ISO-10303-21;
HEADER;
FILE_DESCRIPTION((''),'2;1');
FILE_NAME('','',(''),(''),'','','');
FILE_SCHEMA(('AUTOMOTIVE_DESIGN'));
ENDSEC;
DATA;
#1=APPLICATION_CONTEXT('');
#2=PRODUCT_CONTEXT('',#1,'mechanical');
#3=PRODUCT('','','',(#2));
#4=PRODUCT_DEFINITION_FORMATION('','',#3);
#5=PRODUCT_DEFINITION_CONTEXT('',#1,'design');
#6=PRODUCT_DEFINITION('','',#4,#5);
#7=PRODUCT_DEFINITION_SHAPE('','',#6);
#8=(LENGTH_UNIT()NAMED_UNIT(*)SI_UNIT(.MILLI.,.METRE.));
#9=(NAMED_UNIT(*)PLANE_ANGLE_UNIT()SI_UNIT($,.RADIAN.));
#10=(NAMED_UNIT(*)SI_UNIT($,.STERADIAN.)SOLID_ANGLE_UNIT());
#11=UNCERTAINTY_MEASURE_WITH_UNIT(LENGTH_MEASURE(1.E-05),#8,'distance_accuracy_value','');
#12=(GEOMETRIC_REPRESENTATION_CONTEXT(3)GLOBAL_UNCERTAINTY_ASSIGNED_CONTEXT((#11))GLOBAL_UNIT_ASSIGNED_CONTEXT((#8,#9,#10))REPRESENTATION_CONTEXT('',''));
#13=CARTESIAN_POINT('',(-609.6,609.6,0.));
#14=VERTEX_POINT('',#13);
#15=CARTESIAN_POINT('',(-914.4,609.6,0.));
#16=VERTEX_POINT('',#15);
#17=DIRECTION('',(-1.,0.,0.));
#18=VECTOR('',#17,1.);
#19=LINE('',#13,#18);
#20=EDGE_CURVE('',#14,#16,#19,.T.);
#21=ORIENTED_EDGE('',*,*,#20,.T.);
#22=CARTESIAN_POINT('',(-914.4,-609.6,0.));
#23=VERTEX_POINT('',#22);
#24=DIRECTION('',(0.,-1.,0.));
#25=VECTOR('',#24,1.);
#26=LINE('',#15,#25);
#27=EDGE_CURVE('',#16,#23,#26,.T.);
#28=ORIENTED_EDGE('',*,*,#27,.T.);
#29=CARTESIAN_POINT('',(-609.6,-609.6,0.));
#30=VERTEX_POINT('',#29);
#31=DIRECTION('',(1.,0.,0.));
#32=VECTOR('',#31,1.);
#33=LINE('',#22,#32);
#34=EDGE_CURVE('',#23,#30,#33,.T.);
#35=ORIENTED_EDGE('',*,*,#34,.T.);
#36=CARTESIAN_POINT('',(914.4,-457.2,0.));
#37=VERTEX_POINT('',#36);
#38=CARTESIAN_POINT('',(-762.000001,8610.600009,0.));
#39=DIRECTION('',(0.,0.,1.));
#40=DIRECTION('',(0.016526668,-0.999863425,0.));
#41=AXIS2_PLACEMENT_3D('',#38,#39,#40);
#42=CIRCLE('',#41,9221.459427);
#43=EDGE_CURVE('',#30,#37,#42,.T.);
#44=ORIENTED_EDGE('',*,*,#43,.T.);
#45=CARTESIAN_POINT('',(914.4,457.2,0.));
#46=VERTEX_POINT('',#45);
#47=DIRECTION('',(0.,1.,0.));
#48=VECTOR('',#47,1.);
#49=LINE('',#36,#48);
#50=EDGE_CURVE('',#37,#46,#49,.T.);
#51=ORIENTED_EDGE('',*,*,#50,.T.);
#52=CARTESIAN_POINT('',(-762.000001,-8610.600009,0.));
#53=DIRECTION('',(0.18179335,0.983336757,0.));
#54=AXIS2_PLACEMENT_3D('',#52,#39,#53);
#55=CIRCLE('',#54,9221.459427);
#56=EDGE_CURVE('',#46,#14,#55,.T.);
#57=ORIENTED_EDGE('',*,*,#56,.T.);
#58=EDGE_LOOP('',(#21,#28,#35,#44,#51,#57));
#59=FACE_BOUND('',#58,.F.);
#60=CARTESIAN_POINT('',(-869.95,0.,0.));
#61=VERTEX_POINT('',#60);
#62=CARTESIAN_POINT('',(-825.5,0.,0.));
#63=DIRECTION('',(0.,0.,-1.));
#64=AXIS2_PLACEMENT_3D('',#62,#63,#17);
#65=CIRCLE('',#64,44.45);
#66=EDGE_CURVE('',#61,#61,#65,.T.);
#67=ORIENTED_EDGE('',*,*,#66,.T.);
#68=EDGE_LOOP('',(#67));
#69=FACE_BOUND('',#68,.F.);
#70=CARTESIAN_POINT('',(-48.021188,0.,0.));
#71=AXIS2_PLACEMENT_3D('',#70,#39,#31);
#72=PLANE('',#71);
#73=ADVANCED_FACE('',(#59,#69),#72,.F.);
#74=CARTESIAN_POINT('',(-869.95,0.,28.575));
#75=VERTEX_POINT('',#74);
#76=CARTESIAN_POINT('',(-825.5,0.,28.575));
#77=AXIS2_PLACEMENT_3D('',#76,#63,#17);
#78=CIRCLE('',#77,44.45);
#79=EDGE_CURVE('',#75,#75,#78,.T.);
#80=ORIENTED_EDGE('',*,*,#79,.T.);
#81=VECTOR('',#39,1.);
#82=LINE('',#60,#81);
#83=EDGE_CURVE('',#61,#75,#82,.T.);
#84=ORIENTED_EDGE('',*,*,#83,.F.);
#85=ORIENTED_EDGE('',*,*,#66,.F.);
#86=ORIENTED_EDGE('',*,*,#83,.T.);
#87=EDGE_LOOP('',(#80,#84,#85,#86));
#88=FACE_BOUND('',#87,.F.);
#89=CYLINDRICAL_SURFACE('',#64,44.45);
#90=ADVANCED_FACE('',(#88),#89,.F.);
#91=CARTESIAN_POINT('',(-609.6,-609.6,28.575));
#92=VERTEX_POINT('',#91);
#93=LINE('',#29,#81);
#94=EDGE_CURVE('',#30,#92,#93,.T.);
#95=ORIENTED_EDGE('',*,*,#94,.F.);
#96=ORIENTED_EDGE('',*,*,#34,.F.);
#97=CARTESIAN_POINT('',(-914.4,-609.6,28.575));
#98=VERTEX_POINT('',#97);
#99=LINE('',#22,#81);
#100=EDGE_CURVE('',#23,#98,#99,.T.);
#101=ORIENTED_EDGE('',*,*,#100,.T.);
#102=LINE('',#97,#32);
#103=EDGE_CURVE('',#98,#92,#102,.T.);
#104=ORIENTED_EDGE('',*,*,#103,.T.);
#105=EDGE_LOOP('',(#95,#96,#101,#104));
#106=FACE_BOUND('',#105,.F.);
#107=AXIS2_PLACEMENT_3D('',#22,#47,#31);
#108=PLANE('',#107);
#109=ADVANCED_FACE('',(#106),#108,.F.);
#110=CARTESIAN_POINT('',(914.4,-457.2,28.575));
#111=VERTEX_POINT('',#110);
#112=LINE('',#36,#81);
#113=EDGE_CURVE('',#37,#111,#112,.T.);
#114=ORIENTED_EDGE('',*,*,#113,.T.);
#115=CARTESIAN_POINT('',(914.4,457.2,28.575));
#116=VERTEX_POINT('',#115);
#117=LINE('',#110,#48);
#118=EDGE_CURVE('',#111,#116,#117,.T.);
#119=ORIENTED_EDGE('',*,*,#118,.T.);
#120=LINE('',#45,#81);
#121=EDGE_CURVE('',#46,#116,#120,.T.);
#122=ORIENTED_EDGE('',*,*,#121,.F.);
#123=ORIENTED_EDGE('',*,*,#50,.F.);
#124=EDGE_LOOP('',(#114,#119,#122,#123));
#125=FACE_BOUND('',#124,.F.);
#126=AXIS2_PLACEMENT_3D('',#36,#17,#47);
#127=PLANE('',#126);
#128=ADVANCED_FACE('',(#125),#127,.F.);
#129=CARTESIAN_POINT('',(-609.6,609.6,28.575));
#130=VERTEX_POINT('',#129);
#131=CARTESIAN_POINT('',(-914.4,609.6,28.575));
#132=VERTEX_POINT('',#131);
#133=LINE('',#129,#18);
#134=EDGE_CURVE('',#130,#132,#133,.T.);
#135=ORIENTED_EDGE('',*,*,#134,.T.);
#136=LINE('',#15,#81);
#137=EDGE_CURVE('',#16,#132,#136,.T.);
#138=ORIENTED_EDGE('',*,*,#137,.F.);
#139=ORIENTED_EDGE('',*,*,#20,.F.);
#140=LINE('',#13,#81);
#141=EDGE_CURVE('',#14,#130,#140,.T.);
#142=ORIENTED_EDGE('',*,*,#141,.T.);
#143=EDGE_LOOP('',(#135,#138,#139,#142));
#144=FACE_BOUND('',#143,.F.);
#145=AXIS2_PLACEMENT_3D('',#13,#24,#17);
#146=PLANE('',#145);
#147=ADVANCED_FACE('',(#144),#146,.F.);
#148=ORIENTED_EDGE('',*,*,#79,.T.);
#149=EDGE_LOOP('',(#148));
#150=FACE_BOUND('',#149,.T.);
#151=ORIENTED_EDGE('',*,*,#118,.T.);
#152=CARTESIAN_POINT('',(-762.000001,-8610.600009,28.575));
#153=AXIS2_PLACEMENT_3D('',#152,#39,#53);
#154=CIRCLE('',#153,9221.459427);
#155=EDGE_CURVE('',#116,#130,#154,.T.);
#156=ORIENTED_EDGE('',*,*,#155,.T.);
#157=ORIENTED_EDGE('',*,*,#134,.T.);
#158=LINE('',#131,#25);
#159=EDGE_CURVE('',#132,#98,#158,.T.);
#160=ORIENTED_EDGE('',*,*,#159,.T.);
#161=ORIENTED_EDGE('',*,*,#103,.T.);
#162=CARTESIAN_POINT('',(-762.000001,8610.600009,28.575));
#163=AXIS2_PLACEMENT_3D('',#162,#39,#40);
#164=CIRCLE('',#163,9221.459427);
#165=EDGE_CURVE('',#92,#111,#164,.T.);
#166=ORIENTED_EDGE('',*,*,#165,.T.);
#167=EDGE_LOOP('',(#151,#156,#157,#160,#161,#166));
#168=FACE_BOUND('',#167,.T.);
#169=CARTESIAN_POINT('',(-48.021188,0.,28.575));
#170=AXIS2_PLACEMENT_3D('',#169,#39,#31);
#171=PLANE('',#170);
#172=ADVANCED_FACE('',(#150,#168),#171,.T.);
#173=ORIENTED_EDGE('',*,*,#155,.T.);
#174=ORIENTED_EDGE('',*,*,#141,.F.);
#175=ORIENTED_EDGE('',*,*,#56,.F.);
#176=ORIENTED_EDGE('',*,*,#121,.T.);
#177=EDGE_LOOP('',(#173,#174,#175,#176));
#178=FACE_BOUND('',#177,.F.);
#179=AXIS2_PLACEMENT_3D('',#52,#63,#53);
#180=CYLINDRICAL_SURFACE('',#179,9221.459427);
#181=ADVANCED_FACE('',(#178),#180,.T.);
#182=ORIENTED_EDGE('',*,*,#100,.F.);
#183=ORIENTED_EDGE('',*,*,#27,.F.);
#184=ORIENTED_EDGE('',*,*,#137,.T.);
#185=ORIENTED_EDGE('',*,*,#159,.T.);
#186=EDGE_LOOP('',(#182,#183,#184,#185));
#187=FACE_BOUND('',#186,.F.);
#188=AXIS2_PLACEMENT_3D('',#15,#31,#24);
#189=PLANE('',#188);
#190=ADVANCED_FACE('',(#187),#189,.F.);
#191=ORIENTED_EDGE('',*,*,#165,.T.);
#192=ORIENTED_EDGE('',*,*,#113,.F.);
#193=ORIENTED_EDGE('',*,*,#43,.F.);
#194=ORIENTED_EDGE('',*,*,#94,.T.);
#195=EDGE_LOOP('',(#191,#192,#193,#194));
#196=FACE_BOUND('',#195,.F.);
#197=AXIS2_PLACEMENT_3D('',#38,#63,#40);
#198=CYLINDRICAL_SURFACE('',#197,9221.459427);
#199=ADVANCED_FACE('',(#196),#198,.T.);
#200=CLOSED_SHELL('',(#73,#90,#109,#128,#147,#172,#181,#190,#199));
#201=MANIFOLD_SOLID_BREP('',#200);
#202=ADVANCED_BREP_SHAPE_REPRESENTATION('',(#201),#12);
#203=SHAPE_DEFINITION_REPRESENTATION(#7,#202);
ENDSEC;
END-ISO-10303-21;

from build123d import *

# Parameters (mm, degrees)
F1_DEPTH = 28.575


with BuildPart() as f1:
    # F0 (on Top) → F1 (new body)
    with BuildSketch(Plane.XY):
        Polygon((914.4, -457.2), (914.4, 457.2), (-914.4, 609.6), (-914.4, 0), (-914.4, -609.6), align=None)
        with BuildLine():
            ThreePointArc((-781.05, 0), (-825.5, -44.45), (-869.95, 0))
            ThreePointArc((-869.95, 0), (-825.5, 44.45), (-781.05, 0))
        make_face(mode=Mode.SUBTRACT)
        with BuildLine():
            ThreePointArc((914.4, 457.2), (155.569507, 565.095069), (-609.6, 609.6))
            Line((-609.6, 609.6), (-914.4, 609.6))
            Line((-914.4, 609.6), (914.4, 457.2))
        make_face()
        with BuildLine():
            ThreePointArc((-609.6, -609.6), (155.569507, -565.095069), (914.4, -457.2))
            Line((914.4, -457.2), (-914.4, -609.6))
            Line((-914.4, -609.6), (-609.6, -609.6))
        make_face()
    extrude(amount=F1_DEPTH)


solid = f1.part
